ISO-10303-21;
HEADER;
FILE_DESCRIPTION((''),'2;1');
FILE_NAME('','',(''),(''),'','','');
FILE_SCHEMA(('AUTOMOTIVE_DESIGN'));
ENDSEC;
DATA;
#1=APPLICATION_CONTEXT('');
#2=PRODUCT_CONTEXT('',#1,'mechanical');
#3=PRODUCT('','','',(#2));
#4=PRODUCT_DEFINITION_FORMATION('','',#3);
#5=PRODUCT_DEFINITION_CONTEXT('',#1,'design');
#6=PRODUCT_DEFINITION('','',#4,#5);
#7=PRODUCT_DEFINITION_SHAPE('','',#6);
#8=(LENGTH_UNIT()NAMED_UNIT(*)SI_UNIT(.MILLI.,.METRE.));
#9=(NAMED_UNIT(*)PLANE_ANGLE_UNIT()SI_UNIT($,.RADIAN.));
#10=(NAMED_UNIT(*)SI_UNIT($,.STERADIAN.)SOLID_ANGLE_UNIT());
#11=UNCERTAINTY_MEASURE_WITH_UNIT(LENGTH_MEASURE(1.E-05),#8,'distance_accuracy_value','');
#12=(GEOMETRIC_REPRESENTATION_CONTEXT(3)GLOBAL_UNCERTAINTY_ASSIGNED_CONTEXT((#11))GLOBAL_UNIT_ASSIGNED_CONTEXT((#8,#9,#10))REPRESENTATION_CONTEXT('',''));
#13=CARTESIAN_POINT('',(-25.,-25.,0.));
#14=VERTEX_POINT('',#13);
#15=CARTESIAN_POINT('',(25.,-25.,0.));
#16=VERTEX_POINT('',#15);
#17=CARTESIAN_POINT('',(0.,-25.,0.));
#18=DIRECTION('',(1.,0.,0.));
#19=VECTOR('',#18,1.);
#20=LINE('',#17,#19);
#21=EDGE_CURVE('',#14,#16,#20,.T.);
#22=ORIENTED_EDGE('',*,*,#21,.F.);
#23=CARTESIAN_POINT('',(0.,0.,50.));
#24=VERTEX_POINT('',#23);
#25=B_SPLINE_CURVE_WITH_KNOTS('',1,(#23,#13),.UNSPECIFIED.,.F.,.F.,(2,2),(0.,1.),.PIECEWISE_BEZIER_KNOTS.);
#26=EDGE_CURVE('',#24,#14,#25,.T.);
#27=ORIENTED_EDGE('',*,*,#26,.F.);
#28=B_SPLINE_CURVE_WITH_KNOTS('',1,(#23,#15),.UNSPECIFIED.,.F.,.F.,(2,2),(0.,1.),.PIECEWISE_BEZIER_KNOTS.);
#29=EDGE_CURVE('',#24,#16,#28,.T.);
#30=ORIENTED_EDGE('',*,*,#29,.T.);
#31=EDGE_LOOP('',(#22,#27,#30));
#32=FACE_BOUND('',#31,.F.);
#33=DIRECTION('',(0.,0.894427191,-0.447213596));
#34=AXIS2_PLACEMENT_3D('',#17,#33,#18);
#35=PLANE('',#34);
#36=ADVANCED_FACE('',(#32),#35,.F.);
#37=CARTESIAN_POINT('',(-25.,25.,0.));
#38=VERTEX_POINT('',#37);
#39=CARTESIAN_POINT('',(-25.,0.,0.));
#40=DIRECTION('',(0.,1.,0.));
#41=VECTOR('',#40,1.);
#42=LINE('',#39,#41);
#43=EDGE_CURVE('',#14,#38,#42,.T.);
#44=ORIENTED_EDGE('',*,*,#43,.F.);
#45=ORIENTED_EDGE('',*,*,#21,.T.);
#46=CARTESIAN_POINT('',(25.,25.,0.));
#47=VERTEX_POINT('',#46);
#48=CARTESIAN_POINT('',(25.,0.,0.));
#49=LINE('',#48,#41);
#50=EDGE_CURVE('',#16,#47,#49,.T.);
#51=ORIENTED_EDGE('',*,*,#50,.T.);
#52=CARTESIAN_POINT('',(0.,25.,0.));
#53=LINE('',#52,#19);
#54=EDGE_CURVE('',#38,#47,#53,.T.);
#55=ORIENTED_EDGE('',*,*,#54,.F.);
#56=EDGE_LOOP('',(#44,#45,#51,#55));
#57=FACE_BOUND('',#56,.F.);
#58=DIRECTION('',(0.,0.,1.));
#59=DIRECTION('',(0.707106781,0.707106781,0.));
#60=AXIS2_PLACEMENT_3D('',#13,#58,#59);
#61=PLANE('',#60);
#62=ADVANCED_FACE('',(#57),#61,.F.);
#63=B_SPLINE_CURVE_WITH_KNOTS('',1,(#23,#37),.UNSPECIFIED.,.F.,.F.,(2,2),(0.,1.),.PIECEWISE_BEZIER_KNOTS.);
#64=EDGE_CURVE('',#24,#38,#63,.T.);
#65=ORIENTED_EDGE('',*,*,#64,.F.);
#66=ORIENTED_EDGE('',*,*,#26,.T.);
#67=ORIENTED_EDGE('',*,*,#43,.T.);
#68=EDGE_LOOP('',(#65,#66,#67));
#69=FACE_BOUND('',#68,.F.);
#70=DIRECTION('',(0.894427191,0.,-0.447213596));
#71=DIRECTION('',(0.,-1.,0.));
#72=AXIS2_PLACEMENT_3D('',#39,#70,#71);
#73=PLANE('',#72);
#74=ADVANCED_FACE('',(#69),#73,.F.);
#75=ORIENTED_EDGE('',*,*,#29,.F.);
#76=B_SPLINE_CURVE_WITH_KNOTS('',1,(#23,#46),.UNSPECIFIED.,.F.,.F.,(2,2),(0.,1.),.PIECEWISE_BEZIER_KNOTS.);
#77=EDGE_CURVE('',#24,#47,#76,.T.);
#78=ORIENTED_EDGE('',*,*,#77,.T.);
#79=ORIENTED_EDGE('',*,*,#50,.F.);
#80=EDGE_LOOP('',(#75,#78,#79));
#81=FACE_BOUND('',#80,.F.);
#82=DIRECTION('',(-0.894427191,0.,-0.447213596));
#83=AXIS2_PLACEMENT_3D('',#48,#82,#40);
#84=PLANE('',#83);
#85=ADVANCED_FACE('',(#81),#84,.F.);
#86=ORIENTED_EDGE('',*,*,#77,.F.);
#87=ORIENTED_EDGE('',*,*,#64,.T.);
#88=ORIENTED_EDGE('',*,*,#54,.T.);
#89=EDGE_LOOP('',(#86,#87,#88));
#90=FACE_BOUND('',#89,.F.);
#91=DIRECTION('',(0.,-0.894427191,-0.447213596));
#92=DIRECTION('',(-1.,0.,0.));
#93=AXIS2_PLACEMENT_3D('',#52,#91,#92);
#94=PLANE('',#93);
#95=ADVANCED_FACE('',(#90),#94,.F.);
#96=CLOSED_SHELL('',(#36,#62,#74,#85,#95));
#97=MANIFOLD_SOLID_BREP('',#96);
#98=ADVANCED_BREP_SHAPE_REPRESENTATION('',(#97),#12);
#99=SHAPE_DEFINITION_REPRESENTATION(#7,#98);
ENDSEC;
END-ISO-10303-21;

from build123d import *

# Parameters (mm, degrees)
F0_W = 50
F0_H = 50


with BuildPart() as f3:
    # F0 (on Top) → F3 section 0
    with BuildSketch(Plane.XY, mode=Mode.PRIVATE) as f3_s0:
        Rectangle(F0_W, F0_H)
    loft([Vertex(0, 0, 50), f3_s0.sketch])


solid = f3.part
